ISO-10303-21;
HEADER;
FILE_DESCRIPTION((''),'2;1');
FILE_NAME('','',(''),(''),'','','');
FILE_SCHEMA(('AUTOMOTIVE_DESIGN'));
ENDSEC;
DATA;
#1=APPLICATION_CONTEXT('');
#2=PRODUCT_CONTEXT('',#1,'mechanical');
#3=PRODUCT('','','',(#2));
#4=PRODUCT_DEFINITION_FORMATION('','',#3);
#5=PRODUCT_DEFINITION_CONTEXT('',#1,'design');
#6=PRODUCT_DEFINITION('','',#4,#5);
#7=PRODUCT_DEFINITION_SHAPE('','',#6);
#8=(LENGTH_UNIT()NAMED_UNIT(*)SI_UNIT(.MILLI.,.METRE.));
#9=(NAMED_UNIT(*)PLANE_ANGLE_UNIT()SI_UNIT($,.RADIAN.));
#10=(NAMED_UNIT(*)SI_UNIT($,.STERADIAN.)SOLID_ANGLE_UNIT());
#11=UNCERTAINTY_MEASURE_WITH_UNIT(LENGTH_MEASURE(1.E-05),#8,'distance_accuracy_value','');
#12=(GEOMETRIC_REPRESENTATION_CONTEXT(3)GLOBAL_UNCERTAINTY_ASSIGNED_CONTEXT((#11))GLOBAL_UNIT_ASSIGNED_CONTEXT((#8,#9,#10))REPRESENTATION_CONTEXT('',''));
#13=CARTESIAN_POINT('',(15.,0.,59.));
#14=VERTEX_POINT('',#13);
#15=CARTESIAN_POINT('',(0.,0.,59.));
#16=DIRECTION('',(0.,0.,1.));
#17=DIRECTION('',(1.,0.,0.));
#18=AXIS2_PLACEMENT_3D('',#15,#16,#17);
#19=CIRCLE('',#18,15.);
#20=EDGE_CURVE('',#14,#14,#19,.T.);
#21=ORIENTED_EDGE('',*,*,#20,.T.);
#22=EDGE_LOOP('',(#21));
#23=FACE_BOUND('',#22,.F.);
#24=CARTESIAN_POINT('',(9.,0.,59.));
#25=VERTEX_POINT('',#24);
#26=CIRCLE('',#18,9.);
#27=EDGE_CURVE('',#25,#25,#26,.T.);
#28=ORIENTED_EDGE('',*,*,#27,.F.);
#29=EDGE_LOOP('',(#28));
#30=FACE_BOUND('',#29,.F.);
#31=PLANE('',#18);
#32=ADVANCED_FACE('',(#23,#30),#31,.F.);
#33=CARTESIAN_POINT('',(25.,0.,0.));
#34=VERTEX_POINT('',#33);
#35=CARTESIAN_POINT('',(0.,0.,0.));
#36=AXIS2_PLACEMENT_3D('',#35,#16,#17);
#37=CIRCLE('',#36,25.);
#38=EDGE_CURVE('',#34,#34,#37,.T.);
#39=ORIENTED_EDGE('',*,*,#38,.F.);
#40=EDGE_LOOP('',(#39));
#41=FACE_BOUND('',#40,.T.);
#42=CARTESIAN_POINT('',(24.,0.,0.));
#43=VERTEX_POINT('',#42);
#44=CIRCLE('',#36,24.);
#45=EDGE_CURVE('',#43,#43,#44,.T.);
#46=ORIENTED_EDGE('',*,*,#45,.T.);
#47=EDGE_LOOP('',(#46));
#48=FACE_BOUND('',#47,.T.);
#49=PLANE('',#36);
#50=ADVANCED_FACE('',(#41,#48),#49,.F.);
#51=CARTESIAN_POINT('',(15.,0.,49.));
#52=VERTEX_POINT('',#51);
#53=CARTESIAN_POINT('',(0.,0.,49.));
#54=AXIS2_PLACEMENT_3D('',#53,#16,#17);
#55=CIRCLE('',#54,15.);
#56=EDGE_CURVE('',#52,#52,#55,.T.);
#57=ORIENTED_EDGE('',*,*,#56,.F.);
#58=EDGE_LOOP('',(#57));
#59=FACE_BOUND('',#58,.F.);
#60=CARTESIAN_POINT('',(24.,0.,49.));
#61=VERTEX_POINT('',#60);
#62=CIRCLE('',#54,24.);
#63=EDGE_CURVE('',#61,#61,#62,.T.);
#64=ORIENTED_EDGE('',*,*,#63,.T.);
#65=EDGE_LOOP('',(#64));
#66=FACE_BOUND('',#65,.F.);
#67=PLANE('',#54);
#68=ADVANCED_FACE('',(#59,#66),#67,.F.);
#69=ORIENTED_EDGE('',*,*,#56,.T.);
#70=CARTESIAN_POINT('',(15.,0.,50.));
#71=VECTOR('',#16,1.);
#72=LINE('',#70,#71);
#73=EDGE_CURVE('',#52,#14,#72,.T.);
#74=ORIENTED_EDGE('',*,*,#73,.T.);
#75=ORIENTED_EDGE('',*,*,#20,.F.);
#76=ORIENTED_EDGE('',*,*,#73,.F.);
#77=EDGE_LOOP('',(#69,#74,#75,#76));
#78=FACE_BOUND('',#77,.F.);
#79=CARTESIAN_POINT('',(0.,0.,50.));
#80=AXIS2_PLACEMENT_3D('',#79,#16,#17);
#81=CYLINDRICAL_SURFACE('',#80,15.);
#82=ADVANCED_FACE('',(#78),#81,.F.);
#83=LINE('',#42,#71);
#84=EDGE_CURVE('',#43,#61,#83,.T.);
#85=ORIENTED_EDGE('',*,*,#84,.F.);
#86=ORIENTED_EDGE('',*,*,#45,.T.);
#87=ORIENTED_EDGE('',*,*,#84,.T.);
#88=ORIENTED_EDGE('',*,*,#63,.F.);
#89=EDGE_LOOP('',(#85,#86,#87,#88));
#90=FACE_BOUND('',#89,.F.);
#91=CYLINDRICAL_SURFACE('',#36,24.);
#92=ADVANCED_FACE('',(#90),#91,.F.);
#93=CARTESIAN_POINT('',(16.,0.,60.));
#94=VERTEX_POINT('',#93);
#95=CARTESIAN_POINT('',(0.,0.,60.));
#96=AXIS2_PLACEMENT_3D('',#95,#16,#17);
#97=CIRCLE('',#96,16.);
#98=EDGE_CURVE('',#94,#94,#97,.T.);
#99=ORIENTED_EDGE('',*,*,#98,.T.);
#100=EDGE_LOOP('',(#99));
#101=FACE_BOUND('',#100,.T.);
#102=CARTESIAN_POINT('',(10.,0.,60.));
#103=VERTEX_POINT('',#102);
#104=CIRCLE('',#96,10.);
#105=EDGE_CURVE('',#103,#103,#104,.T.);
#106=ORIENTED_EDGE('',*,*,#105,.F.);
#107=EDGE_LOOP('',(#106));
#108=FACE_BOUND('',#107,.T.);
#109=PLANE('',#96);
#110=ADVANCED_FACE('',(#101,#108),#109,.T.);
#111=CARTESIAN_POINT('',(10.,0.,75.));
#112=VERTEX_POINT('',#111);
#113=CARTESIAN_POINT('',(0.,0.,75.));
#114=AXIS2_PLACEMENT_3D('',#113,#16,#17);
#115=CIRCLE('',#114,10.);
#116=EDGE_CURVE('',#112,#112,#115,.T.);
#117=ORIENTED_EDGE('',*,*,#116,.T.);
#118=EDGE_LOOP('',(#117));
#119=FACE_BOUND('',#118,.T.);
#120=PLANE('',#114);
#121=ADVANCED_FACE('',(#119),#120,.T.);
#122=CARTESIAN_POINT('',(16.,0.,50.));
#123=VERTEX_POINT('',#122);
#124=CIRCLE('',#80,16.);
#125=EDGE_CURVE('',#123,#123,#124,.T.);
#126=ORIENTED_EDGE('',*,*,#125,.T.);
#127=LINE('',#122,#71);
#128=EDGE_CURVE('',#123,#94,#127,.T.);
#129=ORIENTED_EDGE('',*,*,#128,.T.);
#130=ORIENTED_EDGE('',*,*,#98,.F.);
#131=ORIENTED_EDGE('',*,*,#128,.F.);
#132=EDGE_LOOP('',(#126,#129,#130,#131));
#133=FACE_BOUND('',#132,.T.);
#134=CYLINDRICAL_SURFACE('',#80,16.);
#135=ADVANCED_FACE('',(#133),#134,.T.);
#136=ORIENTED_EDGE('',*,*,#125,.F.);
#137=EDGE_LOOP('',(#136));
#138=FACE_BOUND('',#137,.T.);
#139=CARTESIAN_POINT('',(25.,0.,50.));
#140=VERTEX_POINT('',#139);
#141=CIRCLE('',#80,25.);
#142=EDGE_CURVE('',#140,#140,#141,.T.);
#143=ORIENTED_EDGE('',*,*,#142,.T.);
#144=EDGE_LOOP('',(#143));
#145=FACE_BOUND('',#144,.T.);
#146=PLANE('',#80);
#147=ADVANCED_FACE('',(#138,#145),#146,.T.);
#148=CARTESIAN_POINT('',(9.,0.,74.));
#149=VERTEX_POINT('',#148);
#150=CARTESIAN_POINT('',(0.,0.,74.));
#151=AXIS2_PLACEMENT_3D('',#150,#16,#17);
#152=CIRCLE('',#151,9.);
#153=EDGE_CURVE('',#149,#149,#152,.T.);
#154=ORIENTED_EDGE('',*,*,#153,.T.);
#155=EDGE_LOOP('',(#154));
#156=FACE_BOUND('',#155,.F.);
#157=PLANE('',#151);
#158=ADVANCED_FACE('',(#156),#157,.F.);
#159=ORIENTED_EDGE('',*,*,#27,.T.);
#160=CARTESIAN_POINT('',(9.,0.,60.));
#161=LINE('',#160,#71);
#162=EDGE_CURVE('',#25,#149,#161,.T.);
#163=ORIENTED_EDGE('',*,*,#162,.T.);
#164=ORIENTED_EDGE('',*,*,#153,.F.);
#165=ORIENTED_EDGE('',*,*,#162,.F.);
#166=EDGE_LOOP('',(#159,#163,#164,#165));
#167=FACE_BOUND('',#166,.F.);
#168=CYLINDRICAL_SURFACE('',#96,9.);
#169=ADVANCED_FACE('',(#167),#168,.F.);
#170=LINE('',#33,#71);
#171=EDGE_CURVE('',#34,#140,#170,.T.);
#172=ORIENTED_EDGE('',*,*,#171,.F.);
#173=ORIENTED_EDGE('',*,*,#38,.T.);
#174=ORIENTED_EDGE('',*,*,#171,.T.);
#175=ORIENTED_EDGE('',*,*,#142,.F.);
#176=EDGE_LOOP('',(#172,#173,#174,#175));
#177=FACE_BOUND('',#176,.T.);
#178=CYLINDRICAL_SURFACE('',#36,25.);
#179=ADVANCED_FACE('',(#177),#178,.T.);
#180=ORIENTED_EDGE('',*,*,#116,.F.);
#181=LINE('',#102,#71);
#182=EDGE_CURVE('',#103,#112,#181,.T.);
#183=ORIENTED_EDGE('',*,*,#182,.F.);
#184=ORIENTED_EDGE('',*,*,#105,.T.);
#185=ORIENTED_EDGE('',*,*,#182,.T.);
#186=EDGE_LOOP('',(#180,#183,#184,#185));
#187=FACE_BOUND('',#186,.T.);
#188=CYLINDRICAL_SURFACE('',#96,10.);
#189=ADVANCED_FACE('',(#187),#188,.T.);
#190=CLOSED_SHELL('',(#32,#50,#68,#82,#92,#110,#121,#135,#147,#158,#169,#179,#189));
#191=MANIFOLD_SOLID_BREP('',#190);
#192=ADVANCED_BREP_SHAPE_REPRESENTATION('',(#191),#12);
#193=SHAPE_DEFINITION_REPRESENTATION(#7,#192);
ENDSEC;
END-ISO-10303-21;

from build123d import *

# Parameters (mm, degrees)
F2_T = -1


with BuildPart() as f1:
    # F0 (on Front) → F1 (revolve)
    with BuildSketch(Plane.XZ):
        Polygon((0, 75), (0, 0), (25, 0), (25, 50), (16, 50), (16, 60), (10, 60), (10, 75), align=None)
    revolve(axis=Axis((0, 0, 37.5), (0, 0, 1)))

    # F2
    f2_openings = [f1.faces().sort_by_distance(p)[0] for p in [
        (0, 0, 0),
    ]]
    offset(amount=F2_T, openings=f2_openings, kind=Kind.INTERSECTION)


solid = f1.part
